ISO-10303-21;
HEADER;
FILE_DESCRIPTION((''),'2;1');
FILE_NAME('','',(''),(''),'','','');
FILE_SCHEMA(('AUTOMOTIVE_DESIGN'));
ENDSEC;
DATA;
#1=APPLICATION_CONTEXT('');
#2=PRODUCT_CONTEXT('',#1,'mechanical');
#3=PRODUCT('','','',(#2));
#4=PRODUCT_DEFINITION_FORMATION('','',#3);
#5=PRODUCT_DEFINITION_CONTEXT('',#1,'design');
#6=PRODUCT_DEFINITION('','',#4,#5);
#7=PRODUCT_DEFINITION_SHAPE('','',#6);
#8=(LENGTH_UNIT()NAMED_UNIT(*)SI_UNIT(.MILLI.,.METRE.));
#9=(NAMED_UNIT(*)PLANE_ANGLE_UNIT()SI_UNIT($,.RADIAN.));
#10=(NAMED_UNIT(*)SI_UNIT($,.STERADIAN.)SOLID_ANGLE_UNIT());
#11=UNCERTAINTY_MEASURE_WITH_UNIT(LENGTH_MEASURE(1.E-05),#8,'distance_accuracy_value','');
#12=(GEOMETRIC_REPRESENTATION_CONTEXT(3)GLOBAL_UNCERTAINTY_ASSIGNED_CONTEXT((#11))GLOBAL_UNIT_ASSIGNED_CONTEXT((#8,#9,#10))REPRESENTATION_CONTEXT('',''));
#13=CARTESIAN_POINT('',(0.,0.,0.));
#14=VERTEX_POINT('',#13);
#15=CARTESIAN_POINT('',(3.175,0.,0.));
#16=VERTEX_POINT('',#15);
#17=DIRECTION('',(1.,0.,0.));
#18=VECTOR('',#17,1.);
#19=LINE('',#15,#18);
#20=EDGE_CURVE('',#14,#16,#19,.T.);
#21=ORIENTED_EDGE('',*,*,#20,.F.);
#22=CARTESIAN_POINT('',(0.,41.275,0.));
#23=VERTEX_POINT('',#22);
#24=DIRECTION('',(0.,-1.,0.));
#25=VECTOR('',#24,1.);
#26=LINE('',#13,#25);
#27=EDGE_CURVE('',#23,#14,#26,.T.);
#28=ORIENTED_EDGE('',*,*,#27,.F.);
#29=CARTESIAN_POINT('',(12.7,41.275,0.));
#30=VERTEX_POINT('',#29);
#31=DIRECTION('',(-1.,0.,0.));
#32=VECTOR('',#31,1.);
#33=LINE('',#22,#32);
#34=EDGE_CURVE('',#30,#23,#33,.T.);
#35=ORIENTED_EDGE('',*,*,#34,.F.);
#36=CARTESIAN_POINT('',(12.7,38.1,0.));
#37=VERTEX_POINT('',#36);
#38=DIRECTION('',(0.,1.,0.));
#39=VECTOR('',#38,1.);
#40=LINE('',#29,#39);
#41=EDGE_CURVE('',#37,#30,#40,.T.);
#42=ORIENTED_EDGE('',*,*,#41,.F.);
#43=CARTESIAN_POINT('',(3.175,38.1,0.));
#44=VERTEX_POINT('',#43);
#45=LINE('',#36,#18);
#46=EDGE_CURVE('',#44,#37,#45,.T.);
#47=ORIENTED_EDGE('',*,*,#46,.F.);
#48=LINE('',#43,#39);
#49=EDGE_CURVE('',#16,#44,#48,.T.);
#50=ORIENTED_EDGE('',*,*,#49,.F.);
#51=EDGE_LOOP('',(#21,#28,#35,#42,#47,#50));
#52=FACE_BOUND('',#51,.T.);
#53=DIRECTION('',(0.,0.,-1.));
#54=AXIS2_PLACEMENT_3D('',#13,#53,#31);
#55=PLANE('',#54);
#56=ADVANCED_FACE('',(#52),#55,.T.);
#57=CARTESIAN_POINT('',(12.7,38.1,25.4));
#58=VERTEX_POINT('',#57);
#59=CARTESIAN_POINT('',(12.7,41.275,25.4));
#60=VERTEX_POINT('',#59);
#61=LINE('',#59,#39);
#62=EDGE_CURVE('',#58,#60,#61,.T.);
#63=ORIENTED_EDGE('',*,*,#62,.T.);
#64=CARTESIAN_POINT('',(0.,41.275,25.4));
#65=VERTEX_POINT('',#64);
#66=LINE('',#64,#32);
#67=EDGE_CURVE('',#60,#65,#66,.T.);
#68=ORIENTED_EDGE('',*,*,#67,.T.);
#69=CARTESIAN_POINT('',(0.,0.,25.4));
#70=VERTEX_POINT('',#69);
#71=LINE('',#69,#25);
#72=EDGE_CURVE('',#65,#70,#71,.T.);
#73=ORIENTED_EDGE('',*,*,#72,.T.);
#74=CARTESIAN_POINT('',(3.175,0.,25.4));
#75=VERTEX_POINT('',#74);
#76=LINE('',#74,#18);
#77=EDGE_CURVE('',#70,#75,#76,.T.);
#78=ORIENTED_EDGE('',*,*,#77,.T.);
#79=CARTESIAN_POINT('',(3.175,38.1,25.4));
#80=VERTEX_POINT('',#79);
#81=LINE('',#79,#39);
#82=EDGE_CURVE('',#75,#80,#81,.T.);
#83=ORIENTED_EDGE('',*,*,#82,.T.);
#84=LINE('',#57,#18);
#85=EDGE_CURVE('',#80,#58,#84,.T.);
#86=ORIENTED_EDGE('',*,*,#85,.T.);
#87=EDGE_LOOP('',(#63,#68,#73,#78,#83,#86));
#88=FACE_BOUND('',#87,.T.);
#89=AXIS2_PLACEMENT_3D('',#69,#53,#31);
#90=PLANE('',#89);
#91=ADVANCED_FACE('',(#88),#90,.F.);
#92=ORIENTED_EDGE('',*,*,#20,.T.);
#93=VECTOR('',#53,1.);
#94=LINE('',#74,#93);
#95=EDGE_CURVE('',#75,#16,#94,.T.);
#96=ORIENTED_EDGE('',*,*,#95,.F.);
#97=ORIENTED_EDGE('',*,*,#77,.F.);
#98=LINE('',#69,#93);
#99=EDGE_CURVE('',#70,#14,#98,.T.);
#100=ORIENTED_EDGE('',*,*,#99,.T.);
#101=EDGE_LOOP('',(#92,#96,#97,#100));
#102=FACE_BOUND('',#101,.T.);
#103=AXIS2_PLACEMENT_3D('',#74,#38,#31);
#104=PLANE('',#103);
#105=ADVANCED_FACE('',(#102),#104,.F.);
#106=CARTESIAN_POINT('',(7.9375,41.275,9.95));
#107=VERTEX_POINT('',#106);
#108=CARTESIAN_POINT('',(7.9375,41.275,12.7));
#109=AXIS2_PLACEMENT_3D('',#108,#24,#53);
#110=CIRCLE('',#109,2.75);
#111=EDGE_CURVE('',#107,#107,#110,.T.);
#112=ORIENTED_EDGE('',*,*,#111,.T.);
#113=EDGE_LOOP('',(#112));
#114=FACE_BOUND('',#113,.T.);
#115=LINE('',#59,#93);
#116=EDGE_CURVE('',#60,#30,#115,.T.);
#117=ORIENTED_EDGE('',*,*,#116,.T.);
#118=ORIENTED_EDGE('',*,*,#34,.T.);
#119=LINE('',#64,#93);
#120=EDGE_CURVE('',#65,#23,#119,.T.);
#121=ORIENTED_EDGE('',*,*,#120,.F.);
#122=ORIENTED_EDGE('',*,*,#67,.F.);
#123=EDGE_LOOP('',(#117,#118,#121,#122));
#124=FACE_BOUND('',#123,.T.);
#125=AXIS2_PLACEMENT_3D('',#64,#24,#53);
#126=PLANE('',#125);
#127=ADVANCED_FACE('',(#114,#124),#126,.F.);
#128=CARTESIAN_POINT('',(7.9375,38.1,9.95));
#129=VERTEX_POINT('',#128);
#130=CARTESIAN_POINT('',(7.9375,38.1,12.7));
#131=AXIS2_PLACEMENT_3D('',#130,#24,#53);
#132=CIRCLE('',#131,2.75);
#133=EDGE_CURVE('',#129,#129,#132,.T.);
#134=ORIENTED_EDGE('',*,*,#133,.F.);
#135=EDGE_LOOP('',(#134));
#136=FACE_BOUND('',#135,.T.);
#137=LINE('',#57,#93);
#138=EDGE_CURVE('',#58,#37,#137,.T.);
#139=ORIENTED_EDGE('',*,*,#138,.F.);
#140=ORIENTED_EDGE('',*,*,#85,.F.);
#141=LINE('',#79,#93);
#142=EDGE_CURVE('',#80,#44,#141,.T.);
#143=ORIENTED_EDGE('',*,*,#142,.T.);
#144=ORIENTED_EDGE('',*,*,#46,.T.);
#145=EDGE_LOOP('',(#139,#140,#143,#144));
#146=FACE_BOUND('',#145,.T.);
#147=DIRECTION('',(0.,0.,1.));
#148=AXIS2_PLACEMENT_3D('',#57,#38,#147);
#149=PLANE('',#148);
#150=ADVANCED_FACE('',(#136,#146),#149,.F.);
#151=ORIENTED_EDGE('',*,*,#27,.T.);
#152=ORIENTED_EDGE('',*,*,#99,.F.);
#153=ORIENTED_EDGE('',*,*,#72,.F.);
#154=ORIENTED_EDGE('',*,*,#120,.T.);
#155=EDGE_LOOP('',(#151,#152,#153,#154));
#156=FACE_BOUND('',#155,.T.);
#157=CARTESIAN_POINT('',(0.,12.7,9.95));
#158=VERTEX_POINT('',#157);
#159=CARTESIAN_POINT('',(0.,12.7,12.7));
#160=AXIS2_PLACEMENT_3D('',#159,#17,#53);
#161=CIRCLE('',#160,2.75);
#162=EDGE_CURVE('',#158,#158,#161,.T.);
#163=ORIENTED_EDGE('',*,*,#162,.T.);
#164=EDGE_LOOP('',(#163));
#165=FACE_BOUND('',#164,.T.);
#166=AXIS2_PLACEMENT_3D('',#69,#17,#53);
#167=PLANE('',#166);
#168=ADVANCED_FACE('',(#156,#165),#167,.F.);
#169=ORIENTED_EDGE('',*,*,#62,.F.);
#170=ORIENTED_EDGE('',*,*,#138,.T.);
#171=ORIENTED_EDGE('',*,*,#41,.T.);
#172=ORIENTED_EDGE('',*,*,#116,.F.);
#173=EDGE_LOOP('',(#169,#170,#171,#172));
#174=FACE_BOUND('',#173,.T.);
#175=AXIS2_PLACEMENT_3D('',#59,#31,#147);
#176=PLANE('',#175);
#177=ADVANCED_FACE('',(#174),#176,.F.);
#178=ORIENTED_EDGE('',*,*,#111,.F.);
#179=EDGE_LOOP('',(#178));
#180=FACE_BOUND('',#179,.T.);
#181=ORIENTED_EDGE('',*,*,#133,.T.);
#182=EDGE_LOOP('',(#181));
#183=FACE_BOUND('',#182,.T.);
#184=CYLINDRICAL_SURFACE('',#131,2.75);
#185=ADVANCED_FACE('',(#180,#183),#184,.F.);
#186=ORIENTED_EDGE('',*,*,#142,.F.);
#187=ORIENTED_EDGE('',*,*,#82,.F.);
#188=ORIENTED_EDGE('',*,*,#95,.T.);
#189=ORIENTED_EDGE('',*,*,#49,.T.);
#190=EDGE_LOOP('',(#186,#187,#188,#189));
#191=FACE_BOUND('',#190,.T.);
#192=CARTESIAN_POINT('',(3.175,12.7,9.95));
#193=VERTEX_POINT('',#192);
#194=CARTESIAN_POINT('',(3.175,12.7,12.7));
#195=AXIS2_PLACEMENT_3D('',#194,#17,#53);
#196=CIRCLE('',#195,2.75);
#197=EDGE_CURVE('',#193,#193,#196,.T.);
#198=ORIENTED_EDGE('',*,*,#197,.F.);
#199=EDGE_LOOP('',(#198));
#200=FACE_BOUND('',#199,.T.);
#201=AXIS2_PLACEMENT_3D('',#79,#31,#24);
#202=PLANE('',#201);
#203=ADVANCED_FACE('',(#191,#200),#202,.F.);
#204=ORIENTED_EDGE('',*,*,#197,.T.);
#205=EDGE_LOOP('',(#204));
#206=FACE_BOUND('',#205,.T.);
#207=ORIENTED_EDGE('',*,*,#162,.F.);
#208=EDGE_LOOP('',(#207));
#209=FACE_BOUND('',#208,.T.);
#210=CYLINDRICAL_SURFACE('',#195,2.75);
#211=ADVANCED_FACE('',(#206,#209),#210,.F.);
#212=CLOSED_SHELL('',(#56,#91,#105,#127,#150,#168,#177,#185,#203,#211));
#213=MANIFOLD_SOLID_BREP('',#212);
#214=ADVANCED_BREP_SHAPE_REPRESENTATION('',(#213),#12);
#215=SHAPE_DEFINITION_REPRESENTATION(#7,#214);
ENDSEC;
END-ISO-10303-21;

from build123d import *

# Parameters (mm, degrees)
BOSS_EXTRUDE1_DEPTH  = 25.4
M5_CLEARANCE_HOLE1_D = 5.5
M5_CLEARANCE_HOLE2_D = 5.5


with BuildPart() as part:
    # Sketch2 → Boss-Extrude1 (new body)
    with BuildSketch(Plane.XY):
        Polygon((0, 0), (0, 41.275), (12.7, 41.275), (12.7, 38.1), (3.175, 38.1), (3.175, 0), align=None)
    extrude(amount=BOSS_EXTRUDE1_DEPTH)

    # M5 Clearance Hole1 (through all)
    with Locations(Plane(origin=(0, 38.1, 0), x_dir=(-1, 0, 0), z_dir=(0, -1, 0))):
        with Locations((-7.9375, -12.7)):
            Hole(M5_CLEARANCE_HOLE1_D / 2)

    # M5 Clearance Hole2 (through all)
    with Locations(Plane(origin=(3.175, 0, 0), x_dir=(0, 0, -1), z_dir=(1, 0, 0))):
        with Locations((-12.7, 12.7)):
            Hole(M5_CLEARANCE_HOLE2_D / 2)


solid = part.part
